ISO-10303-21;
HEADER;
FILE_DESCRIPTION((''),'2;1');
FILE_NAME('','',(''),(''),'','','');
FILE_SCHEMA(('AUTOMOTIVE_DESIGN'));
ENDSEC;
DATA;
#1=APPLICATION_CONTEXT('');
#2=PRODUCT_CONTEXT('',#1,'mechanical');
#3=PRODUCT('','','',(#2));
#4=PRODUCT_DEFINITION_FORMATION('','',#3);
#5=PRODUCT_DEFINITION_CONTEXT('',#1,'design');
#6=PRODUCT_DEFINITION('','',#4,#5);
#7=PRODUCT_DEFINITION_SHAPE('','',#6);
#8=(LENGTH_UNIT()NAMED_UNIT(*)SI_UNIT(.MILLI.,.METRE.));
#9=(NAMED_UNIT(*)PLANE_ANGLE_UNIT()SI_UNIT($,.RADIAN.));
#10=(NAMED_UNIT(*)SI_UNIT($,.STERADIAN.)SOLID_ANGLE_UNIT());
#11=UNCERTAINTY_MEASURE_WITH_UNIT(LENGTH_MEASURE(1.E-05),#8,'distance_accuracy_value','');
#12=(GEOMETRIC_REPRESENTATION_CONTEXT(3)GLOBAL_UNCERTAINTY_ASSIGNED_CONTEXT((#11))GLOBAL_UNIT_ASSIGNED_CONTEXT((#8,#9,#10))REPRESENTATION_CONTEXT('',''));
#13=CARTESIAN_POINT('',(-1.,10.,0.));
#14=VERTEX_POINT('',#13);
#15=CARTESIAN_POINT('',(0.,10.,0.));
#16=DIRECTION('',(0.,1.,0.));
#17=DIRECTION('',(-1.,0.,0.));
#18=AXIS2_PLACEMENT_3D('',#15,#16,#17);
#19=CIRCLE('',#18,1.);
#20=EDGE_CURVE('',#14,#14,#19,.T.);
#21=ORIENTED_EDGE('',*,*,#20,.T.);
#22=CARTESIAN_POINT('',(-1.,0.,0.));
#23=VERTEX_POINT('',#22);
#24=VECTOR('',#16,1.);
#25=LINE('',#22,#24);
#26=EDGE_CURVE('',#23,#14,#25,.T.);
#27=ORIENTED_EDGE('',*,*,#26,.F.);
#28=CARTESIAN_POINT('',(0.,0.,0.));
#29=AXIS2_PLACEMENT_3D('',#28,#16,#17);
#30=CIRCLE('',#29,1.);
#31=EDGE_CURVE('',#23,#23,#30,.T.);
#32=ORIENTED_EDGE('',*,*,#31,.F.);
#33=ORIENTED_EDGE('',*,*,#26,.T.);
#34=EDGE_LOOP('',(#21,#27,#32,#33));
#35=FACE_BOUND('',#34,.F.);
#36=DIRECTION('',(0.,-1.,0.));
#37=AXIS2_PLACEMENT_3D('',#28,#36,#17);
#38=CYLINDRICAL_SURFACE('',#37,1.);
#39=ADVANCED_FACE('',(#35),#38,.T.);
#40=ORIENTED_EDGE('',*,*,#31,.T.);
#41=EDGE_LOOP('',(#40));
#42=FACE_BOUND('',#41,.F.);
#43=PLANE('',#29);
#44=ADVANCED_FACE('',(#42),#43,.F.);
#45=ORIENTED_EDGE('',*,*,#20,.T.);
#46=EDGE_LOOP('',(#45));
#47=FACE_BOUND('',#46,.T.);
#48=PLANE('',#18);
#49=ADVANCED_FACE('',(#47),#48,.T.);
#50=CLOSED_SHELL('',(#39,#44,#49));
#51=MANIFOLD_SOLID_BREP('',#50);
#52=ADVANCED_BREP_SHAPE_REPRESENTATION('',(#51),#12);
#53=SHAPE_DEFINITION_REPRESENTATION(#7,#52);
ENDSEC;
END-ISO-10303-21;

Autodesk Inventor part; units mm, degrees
ref_plane "YZ Plane" through (0, 0, 0) normal (1, 0, 0) x (0, 1, 0)
ref_plane "XZ Plane" through (0, 0, 0) normal (0, 1, 0) x (-1, 0, 0)
ref_plane "XY Plane" through (0, 0, 0) normal (0, 0, 1) x (1, 0, 0)
sketch "Sketch1" plane through (0, 0, 0) normal (0, 1, 0) x (-1, 0, 0)
  circle A0 centre (0, 0) radius 1
  dimension "d0" = 2
extrude "Extrusion1" add sketch "Sketch1" along normal blind 10
properties part number "dowel_M2"
